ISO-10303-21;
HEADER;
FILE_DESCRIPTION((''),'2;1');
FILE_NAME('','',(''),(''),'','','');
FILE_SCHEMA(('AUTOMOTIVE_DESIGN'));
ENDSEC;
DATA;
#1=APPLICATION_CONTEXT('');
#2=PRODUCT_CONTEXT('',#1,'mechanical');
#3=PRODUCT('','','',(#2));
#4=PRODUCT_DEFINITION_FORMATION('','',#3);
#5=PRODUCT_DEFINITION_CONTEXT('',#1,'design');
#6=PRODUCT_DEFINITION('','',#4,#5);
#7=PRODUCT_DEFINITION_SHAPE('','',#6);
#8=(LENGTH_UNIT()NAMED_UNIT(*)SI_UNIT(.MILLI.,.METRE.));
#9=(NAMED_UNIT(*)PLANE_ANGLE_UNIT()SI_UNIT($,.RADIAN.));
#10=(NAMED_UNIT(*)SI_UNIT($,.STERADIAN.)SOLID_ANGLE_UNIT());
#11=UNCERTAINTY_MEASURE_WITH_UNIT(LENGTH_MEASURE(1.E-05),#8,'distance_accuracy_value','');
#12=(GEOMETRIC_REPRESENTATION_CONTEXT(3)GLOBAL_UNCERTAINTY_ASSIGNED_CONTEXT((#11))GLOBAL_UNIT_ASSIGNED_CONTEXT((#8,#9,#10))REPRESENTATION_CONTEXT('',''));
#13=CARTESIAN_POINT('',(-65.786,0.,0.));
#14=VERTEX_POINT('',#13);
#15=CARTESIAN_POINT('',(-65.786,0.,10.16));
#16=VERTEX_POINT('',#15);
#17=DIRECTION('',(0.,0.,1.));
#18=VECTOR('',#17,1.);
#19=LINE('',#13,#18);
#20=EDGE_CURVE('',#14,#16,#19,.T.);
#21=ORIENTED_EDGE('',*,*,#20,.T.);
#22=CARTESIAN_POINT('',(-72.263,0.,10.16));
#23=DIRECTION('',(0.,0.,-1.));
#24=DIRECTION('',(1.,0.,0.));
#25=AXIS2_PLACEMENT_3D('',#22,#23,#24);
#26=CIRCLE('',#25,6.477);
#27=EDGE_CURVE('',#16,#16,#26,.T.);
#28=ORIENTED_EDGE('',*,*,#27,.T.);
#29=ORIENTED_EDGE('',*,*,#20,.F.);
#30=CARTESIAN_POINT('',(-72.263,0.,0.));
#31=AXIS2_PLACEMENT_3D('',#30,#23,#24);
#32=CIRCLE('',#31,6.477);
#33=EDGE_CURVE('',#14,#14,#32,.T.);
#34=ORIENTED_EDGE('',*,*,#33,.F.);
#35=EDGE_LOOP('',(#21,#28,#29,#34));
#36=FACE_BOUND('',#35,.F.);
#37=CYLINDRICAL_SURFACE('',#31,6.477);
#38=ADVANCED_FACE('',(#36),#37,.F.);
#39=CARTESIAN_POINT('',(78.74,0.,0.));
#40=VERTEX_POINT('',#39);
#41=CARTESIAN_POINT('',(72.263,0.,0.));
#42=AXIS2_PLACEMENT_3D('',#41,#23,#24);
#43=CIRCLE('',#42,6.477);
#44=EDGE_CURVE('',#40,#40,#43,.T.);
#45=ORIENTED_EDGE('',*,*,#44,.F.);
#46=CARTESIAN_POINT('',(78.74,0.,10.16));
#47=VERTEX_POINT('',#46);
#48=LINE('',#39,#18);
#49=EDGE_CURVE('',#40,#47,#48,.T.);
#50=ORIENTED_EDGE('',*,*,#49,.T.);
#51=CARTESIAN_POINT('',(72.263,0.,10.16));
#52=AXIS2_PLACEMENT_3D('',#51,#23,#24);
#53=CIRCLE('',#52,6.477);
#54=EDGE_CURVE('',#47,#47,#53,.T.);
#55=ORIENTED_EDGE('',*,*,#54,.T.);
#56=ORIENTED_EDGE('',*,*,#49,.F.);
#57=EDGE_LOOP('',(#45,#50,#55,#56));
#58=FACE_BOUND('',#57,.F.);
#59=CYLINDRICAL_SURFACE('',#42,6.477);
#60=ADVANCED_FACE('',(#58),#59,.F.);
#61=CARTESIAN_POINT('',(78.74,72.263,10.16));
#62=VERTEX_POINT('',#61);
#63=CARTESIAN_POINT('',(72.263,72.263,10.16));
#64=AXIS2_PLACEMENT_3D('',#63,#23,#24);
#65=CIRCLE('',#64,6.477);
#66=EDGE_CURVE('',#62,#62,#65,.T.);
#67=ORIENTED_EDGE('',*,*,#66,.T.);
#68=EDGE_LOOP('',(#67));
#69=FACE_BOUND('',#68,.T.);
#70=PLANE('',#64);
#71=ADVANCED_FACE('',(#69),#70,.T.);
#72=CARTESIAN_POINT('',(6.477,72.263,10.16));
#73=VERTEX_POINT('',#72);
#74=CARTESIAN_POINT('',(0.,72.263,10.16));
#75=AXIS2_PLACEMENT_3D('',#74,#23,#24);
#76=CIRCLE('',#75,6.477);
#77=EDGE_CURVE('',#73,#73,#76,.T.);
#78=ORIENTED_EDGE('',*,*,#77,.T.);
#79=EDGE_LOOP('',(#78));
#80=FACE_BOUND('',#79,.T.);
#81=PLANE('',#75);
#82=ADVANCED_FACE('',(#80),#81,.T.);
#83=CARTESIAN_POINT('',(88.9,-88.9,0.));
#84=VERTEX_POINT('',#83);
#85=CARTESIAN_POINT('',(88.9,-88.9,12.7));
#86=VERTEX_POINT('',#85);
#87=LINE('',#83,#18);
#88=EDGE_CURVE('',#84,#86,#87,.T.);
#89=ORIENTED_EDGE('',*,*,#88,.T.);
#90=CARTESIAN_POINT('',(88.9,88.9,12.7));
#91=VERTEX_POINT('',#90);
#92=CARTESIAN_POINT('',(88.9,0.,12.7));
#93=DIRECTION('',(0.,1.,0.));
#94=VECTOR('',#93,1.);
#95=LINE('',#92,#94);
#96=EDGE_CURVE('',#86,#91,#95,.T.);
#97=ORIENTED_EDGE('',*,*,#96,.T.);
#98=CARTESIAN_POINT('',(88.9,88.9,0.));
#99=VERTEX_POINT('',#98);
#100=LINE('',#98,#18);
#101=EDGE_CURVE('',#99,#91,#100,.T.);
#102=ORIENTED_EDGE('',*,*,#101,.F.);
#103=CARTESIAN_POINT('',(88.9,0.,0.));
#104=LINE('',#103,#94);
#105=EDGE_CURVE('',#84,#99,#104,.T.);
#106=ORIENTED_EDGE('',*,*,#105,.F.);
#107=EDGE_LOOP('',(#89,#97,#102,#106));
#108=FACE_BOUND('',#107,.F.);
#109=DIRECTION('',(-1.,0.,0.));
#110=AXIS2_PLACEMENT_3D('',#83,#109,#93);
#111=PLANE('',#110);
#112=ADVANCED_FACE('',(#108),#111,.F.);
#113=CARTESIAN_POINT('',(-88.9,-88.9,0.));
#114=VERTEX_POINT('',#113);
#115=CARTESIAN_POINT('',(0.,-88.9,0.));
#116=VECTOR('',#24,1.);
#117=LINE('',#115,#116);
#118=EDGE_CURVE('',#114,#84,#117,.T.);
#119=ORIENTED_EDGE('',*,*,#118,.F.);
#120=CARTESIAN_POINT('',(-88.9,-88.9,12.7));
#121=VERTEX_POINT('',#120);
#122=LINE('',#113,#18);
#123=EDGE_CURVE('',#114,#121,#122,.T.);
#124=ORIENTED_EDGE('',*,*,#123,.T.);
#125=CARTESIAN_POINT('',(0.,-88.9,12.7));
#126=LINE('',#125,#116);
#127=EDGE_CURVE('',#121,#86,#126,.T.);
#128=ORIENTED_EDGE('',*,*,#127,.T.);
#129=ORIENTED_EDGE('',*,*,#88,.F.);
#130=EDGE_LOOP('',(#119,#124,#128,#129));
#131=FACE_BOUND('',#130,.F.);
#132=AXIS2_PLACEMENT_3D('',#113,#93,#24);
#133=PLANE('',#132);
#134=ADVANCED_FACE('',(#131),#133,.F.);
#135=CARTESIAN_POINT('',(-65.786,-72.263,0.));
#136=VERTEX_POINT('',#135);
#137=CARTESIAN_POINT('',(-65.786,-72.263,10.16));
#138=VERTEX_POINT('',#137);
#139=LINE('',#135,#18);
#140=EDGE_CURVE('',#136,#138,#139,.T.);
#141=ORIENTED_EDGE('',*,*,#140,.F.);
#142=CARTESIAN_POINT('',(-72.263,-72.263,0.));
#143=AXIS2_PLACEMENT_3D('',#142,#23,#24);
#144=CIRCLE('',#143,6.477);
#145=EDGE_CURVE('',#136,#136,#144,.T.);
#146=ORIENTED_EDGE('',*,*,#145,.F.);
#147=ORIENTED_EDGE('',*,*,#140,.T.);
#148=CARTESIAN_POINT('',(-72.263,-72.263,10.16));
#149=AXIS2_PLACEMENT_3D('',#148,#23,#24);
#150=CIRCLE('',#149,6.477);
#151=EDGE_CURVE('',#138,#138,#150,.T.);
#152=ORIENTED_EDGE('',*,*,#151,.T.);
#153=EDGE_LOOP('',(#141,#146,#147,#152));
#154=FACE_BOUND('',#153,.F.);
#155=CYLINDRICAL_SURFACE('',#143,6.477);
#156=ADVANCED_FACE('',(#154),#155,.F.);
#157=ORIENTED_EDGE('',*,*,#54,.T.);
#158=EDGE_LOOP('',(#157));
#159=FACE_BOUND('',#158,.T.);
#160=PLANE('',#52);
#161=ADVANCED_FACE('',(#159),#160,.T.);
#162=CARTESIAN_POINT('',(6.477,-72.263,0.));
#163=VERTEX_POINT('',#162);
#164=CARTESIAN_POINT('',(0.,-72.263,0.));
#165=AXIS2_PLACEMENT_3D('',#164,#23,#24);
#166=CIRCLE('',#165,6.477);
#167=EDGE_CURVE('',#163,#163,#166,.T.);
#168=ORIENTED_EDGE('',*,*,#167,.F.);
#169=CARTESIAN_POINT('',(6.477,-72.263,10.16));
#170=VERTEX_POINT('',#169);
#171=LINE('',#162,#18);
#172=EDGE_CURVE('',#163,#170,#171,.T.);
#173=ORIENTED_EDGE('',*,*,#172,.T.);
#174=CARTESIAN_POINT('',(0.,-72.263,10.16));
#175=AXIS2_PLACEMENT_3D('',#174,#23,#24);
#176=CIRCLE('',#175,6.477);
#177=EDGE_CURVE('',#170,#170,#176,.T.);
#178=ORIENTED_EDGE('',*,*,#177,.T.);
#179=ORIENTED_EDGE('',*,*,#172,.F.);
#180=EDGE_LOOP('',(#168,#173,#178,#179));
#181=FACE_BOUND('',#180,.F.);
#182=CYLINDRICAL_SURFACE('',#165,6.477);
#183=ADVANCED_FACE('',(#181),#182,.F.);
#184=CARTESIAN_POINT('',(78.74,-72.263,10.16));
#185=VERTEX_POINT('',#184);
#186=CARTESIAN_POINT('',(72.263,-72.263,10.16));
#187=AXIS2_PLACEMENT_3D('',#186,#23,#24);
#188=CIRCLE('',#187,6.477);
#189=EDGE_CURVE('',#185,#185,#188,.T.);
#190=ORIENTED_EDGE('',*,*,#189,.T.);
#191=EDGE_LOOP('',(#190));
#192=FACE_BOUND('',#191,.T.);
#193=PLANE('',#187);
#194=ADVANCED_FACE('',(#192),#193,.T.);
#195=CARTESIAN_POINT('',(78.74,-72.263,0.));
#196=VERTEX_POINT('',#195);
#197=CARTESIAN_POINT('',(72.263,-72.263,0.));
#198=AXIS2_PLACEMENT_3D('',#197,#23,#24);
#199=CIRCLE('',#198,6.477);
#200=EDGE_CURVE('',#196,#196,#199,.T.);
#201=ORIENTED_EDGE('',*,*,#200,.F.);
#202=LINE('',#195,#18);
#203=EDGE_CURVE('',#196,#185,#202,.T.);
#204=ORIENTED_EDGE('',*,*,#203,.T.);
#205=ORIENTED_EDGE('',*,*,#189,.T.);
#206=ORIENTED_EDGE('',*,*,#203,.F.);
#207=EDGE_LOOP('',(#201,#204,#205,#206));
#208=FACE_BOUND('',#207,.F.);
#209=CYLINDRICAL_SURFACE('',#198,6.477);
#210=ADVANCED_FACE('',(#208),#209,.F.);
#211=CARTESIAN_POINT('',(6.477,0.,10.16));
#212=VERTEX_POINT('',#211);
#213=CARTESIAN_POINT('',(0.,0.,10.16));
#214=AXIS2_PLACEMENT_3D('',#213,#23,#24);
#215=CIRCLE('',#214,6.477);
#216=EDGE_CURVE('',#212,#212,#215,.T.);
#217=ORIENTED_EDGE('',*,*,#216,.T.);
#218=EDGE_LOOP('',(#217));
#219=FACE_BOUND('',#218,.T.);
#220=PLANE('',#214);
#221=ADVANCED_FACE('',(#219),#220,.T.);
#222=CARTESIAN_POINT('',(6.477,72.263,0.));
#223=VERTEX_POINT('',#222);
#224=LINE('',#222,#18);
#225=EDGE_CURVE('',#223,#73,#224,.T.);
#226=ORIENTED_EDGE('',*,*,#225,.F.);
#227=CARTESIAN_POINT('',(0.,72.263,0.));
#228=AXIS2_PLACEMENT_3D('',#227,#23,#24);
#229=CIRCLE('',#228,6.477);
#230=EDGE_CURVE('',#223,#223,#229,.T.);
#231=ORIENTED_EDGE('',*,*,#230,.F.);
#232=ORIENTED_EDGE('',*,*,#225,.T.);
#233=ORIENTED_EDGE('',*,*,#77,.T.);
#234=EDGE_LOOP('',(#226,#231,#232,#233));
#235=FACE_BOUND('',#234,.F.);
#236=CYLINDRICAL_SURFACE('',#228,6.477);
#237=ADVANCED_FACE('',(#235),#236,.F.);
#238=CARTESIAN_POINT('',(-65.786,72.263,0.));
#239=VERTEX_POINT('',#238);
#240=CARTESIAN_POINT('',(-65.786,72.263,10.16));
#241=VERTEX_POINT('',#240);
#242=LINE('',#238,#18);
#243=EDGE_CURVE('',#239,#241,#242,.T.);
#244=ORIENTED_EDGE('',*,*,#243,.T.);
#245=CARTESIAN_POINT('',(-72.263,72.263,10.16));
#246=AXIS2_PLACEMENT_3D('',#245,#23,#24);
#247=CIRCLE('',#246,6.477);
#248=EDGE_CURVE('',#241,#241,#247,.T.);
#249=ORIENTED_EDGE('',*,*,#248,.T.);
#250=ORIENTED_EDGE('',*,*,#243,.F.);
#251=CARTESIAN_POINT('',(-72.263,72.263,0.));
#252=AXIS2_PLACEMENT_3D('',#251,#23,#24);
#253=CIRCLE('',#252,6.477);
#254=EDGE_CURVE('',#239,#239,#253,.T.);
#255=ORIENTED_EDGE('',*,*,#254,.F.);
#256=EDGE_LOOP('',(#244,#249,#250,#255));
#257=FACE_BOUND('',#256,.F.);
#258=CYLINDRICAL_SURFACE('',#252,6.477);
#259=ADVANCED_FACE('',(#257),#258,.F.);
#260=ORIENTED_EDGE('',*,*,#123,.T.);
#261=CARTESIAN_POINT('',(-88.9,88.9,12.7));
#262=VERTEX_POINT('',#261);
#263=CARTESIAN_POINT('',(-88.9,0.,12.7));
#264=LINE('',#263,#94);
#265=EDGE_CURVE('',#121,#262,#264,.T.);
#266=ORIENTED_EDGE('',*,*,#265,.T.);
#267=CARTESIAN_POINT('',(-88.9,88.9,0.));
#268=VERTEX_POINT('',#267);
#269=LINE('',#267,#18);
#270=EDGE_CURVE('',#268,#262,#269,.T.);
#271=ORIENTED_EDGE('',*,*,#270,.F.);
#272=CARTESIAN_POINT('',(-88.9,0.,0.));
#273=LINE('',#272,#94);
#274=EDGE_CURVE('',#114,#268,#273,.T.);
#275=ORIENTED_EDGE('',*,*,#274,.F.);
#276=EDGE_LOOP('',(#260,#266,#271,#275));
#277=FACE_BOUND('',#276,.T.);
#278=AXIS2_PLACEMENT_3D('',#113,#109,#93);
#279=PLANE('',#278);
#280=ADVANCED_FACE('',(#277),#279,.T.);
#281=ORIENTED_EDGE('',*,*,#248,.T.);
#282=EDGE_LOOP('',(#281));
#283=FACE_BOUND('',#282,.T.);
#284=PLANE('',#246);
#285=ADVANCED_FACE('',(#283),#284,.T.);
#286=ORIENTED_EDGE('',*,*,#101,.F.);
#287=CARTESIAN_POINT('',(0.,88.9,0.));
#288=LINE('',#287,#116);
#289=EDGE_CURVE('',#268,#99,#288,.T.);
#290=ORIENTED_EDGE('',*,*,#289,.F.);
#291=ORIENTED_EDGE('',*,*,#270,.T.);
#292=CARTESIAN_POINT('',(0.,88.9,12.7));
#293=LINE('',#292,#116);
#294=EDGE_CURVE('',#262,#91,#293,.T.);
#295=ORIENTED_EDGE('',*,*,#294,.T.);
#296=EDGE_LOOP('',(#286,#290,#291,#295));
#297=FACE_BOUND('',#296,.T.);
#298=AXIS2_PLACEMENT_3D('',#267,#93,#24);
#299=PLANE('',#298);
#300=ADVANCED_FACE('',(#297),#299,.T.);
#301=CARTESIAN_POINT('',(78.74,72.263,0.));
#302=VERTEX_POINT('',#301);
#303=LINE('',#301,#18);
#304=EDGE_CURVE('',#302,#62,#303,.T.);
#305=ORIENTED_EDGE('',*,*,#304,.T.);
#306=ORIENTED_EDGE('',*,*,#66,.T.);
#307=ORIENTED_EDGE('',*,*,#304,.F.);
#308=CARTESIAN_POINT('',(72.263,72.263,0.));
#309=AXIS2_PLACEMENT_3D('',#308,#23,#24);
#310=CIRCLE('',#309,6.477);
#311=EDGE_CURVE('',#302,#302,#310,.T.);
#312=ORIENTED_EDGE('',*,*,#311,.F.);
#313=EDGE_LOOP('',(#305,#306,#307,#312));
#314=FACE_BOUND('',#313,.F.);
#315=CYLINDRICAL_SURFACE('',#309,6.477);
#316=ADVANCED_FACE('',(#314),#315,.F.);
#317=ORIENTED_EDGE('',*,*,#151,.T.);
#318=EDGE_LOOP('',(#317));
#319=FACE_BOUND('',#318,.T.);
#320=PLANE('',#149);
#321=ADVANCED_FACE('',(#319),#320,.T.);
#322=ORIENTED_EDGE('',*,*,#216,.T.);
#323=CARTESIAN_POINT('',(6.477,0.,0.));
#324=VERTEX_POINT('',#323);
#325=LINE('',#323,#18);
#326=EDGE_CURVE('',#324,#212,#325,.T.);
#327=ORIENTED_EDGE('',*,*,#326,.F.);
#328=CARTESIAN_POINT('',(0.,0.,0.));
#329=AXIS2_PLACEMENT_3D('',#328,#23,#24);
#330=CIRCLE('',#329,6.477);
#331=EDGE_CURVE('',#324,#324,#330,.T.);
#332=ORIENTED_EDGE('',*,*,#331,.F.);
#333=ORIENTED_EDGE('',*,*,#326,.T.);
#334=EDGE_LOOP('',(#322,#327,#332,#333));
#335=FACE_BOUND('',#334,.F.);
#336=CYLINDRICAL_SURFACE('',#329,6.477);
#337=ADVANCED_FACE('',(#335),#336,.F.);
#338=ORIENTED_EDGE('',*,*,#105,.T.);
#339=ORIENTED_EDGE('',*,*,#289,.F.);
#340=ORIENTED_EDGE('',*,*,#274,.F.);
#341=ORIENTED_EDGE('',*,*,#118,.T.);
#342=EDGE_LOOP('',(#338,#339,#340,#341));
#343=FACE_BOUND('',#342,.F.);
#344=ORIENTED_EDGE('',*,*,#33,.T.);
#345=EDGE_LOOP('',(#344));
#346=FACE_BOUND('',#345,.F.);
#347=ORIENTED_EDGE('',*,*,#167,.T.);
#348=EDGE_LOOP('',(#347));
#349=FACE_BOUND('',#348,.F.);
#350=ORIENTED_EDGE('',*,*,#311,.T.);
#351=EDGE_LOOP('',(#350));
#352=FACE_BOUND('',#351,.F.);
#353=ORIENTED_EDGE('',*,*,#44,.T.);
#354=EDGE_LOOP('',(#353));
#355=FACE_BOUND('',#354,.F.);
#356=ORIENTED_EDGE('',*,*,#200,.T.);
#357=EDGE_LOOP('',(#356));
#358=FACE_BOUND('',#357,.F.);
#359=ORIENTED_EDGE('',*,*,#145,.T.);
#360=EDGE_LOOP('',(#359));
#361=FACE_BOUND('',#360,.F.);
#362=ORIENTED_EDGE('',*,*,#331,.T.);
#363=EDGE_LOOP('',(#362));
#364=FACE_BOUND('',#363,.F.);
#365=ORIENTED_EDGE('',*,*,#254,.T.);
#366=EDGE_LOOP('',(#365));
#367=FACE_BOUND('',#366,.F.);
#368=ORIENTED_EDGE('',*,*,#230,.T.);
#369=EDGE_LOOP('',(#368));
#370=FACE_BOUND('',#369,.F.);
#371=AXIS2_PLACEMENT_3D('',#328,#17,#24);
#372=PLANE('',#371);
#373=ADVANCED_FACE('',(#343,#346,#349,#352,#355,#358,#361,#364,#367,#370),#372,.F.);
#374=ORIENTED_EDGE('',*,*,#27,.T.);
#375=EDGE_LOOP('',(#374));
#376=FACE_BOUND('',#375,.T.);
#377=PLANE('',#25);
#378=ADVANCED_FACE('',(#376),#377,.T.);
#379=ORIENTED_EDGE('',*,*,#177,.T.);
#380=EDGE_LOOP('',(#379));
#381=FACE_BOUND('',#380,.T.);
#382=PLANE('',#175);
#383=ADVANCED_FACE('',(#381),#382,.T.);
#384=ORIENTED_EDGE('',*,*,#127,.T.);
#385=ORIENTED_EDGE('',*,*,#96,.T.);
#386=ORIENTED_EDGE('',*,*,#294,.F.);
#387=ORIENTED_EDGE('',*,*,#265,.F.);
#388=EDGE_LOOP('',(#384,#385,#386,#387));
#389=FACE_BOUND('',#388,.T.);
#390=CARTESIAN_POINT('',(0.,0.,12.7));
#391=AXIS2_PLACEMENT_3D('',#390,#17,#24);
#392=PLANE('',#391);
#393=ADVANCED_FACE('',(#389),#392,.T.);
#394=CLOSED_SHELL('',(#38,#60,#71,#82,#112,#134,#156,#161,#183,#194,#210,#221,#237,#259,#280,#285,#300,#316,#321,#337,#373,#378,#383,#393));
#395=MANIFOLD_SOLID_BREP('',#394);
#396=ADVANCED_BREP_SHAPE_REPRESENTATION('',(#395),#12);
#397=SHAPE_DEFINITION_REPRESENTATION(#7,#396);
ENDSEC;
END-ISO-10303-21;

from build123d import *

# Parameters (mm, degrees)
F0_W     = 177.8
F0_H     = 177.8
F1_DEPTH = 12.7
F2_R     = 6.477
F3_DEPTH = 10.16


with BuildPart() as f1:
    # F0 (on Top) → F1 (new body)
    with BuildSketch(Plane.XY):
        Rectangle(F0_W, F0_H)
    extrude(amount=F1_DEPTH)

    # F2 (on face) → F3 (cut)
    with BuildSketch(Plane(origin=(0, 0, 0), x_dir=(1, 0, 0), z_dir=(0, 0, -1))):
        with Locations((72.263, 72.263)):
            Circle(F2_R)
        with Locations((72.263, -72.263)):
            Circle(F2_R)
        with Locations((0, -72.263)):
            Circle(F2_R)
        with Locations((-72.263, -72.263)):
            Circle(F2_R)
        with Locations((-72.263, 0)):
            Circle(F2_R)
        with Locations((0, 72.263)):
            Circle(F2_R)
        with Locations((-72.263, 72.263)):
            Circle(F2_R)
        Circle(F2_R)
        with Locations((72.263, 0)):
            Circle(F2_R)
    extrude(amount=-F3_DEPTH, mode=Mode.SUBTRACT)


solid = f1.part
